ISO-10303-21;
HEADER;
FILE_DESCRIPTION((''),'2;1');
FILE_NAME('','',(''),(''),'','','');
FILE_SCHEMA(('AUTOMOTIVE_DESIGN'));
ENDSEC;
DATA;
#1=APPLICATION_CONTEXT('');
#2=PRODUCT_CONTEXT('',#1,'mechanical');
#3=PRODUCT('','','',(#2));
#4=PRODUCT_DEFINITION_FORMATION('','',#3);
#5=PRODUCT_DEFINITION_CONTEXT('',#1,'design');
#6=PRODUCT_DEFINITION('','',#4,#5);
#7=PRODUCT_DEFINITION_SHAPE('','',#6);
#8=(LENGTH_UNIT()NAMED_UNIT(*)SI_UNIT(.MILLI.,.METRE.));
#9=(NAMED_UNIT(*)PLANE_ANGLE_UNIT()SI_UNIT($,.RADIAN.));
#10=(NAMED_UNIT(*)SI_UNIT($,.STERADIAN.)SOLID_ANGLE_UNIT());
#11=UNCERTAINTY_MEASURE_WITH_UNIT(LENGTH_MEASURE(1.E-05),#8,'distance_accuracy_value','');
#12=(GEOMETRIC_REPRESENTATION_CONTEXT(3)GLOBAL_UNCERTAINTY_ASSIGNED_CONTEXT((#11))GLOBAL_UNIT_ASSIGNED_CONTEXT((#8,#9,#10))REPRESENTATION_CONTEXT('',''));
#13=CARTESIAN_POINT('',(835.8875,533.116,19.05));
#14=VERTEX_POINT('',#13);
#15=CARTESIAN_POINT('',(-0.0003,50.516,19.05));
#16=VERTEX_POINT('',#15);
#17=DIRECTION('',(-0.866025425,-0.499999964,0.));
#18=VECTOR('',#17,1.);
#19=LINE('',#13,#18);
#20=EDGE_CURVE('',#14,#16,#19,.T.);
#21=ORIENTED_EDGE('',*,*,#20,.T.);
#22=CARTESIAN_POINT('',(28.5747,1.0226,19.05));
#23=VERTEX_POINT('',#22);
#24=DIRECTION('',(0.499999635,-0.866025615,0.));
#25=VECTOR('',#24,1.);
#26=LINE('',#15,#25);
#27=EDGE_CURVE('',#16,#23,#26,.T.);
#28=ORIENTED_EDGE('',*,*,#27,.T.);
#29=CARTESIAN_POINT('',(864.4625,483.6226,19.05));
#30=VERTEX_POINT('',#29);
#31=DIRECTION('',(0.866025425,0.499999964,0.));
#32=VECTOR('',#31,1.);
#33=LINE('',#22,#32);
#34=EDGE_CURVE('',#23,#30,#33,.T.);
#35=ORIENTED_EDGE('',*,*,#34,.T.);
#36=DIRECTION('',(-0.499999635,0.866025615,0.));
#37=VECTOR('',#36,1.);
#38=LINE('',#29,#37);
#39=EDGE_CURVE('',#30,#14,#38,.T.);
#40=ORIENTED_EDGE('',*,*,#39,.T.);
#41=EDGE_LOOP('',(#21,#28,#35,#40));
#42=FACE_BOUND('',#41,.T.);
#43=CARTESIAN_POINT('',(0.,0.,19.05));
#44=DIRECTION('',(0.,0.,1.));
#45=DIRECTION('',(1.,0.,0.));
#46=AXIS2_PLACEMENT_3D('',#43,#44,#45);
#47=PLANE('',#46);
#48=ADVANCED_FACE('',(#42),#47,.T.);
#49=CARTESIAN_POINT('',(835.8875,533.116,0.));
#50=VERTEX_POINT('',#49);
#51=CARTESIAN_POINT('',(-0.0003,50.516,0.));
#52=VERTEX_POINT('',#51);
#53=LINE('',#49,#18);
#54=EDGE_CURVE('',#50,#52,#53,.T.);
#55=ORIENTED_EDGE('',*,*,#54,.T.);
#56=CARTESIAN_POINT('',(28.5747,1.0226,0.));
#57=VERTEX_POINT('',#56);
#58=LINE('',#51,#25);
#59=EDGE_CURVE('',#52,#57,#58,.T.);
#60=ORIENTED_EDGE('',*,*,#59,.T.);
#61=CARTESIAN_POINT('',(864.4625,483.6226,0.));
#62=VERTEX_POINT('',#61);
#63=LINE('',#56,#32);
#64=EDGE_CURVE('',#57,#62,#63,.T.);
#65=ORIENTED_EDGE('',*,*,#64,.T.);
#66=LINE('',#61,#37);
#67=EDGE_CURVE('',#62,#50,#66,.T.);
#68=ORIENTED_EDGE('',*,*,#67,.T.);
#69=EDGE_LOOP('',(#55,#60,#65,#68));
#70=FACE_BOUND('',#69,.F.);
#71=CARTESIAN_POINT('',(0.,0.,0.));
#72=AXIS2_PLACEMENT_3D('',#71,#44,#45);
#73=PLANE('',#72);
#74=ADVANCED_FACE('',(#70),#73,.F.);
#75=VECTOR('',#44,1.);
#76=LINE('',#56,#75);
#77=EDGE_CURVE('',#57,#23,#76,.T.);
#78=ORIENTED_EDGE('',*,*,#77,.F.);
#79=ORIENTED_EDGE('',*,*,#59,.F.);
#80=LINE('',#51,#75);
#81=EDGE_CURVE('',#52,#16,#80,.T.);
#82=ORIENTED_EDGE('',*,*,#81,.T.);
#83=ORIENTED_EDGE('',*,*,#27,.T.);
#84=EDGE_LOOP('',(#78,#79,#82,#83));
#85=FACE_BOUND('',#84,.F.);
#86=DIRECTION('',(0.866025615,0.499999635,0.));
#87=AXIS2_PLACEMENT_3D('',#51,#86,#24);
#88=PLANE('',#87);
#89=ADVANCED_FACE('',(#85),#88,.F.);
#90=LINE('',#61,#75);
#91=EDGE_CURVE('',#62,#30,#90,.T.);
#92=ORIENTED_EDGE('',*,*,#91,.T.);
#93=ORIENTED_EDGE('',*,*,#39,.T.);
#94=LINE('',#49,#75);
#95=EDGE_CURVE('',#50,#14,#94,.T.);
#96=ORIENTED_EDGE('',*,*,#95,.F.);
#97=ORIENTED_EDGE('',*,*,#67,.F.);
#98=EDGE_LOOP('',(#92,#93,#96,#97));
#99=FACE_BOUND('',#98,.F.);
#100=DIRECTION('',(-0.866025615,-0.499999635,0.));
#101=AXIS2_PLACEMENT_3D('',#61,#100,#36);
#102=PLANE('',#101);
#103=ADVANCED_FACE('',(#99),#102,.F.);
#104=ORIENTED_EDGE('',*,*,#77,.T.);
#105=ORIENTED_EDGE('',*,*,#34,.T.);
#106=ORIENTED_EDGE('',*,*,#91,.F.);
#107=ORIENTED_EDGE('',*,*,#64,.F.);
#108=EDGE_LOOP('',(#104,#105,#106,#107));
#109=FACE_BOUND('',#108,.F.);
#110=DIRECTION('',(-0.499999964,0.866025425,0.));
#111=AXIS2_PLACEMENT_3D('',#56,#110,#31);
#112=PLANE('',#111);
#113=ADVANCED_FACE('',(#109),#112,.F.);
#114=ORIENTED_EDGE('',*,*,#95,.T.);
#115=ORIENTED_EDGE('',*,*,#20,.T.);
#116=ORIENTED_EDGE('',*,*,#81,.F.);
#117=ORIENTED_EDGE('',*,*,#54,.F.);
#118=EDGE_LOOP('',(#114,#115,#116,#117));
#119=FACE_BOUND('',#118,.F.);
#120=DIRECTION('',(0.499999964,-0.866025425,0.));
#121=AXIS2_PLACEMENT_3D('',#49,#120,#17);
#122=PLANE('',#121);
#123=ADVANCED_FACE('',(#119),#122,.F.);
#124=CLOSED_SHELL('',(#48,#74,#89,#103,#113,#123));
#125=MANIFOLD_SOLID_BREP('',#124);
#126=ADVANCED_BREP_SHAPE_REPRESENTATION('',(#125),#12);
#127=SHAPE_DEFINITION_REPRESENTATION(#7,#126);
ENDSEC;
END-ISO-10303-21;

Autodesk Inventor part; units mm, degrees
ref_plane "YZ Plane" through (0, 0, 0) normal (1, 0, 0) x (0, 1, 0)
ref_plane "XZ Plane" through (0, 0, 0) normal (0, 1, 0) x (-1, 0, 0)
ref_plane "XY Plane" through (0, 0, 0) normal (0, 0, 1) x (1, 0, 0)
sketch "Sketch1" plane through (0, 0, 0) normal (0, 0, 1) x (1, 0, 0)
  line L0 (835.8875, 533.116) -> (-0.0003, 50.516)
  line L1 (-0.0003, 50.516) -> (28.5747, 1.0226)
  line L2 (28.5747, 1.0226) -> (864.4625, 483.6226)
  line L3 (864.4625, 483.6226) -> (835.8875, 533.116)
  point P0 (0, 0)
extrude "Extrusion1" add sketch "Sketch1" along normal blind 19.05
properties part number "nd-14"
